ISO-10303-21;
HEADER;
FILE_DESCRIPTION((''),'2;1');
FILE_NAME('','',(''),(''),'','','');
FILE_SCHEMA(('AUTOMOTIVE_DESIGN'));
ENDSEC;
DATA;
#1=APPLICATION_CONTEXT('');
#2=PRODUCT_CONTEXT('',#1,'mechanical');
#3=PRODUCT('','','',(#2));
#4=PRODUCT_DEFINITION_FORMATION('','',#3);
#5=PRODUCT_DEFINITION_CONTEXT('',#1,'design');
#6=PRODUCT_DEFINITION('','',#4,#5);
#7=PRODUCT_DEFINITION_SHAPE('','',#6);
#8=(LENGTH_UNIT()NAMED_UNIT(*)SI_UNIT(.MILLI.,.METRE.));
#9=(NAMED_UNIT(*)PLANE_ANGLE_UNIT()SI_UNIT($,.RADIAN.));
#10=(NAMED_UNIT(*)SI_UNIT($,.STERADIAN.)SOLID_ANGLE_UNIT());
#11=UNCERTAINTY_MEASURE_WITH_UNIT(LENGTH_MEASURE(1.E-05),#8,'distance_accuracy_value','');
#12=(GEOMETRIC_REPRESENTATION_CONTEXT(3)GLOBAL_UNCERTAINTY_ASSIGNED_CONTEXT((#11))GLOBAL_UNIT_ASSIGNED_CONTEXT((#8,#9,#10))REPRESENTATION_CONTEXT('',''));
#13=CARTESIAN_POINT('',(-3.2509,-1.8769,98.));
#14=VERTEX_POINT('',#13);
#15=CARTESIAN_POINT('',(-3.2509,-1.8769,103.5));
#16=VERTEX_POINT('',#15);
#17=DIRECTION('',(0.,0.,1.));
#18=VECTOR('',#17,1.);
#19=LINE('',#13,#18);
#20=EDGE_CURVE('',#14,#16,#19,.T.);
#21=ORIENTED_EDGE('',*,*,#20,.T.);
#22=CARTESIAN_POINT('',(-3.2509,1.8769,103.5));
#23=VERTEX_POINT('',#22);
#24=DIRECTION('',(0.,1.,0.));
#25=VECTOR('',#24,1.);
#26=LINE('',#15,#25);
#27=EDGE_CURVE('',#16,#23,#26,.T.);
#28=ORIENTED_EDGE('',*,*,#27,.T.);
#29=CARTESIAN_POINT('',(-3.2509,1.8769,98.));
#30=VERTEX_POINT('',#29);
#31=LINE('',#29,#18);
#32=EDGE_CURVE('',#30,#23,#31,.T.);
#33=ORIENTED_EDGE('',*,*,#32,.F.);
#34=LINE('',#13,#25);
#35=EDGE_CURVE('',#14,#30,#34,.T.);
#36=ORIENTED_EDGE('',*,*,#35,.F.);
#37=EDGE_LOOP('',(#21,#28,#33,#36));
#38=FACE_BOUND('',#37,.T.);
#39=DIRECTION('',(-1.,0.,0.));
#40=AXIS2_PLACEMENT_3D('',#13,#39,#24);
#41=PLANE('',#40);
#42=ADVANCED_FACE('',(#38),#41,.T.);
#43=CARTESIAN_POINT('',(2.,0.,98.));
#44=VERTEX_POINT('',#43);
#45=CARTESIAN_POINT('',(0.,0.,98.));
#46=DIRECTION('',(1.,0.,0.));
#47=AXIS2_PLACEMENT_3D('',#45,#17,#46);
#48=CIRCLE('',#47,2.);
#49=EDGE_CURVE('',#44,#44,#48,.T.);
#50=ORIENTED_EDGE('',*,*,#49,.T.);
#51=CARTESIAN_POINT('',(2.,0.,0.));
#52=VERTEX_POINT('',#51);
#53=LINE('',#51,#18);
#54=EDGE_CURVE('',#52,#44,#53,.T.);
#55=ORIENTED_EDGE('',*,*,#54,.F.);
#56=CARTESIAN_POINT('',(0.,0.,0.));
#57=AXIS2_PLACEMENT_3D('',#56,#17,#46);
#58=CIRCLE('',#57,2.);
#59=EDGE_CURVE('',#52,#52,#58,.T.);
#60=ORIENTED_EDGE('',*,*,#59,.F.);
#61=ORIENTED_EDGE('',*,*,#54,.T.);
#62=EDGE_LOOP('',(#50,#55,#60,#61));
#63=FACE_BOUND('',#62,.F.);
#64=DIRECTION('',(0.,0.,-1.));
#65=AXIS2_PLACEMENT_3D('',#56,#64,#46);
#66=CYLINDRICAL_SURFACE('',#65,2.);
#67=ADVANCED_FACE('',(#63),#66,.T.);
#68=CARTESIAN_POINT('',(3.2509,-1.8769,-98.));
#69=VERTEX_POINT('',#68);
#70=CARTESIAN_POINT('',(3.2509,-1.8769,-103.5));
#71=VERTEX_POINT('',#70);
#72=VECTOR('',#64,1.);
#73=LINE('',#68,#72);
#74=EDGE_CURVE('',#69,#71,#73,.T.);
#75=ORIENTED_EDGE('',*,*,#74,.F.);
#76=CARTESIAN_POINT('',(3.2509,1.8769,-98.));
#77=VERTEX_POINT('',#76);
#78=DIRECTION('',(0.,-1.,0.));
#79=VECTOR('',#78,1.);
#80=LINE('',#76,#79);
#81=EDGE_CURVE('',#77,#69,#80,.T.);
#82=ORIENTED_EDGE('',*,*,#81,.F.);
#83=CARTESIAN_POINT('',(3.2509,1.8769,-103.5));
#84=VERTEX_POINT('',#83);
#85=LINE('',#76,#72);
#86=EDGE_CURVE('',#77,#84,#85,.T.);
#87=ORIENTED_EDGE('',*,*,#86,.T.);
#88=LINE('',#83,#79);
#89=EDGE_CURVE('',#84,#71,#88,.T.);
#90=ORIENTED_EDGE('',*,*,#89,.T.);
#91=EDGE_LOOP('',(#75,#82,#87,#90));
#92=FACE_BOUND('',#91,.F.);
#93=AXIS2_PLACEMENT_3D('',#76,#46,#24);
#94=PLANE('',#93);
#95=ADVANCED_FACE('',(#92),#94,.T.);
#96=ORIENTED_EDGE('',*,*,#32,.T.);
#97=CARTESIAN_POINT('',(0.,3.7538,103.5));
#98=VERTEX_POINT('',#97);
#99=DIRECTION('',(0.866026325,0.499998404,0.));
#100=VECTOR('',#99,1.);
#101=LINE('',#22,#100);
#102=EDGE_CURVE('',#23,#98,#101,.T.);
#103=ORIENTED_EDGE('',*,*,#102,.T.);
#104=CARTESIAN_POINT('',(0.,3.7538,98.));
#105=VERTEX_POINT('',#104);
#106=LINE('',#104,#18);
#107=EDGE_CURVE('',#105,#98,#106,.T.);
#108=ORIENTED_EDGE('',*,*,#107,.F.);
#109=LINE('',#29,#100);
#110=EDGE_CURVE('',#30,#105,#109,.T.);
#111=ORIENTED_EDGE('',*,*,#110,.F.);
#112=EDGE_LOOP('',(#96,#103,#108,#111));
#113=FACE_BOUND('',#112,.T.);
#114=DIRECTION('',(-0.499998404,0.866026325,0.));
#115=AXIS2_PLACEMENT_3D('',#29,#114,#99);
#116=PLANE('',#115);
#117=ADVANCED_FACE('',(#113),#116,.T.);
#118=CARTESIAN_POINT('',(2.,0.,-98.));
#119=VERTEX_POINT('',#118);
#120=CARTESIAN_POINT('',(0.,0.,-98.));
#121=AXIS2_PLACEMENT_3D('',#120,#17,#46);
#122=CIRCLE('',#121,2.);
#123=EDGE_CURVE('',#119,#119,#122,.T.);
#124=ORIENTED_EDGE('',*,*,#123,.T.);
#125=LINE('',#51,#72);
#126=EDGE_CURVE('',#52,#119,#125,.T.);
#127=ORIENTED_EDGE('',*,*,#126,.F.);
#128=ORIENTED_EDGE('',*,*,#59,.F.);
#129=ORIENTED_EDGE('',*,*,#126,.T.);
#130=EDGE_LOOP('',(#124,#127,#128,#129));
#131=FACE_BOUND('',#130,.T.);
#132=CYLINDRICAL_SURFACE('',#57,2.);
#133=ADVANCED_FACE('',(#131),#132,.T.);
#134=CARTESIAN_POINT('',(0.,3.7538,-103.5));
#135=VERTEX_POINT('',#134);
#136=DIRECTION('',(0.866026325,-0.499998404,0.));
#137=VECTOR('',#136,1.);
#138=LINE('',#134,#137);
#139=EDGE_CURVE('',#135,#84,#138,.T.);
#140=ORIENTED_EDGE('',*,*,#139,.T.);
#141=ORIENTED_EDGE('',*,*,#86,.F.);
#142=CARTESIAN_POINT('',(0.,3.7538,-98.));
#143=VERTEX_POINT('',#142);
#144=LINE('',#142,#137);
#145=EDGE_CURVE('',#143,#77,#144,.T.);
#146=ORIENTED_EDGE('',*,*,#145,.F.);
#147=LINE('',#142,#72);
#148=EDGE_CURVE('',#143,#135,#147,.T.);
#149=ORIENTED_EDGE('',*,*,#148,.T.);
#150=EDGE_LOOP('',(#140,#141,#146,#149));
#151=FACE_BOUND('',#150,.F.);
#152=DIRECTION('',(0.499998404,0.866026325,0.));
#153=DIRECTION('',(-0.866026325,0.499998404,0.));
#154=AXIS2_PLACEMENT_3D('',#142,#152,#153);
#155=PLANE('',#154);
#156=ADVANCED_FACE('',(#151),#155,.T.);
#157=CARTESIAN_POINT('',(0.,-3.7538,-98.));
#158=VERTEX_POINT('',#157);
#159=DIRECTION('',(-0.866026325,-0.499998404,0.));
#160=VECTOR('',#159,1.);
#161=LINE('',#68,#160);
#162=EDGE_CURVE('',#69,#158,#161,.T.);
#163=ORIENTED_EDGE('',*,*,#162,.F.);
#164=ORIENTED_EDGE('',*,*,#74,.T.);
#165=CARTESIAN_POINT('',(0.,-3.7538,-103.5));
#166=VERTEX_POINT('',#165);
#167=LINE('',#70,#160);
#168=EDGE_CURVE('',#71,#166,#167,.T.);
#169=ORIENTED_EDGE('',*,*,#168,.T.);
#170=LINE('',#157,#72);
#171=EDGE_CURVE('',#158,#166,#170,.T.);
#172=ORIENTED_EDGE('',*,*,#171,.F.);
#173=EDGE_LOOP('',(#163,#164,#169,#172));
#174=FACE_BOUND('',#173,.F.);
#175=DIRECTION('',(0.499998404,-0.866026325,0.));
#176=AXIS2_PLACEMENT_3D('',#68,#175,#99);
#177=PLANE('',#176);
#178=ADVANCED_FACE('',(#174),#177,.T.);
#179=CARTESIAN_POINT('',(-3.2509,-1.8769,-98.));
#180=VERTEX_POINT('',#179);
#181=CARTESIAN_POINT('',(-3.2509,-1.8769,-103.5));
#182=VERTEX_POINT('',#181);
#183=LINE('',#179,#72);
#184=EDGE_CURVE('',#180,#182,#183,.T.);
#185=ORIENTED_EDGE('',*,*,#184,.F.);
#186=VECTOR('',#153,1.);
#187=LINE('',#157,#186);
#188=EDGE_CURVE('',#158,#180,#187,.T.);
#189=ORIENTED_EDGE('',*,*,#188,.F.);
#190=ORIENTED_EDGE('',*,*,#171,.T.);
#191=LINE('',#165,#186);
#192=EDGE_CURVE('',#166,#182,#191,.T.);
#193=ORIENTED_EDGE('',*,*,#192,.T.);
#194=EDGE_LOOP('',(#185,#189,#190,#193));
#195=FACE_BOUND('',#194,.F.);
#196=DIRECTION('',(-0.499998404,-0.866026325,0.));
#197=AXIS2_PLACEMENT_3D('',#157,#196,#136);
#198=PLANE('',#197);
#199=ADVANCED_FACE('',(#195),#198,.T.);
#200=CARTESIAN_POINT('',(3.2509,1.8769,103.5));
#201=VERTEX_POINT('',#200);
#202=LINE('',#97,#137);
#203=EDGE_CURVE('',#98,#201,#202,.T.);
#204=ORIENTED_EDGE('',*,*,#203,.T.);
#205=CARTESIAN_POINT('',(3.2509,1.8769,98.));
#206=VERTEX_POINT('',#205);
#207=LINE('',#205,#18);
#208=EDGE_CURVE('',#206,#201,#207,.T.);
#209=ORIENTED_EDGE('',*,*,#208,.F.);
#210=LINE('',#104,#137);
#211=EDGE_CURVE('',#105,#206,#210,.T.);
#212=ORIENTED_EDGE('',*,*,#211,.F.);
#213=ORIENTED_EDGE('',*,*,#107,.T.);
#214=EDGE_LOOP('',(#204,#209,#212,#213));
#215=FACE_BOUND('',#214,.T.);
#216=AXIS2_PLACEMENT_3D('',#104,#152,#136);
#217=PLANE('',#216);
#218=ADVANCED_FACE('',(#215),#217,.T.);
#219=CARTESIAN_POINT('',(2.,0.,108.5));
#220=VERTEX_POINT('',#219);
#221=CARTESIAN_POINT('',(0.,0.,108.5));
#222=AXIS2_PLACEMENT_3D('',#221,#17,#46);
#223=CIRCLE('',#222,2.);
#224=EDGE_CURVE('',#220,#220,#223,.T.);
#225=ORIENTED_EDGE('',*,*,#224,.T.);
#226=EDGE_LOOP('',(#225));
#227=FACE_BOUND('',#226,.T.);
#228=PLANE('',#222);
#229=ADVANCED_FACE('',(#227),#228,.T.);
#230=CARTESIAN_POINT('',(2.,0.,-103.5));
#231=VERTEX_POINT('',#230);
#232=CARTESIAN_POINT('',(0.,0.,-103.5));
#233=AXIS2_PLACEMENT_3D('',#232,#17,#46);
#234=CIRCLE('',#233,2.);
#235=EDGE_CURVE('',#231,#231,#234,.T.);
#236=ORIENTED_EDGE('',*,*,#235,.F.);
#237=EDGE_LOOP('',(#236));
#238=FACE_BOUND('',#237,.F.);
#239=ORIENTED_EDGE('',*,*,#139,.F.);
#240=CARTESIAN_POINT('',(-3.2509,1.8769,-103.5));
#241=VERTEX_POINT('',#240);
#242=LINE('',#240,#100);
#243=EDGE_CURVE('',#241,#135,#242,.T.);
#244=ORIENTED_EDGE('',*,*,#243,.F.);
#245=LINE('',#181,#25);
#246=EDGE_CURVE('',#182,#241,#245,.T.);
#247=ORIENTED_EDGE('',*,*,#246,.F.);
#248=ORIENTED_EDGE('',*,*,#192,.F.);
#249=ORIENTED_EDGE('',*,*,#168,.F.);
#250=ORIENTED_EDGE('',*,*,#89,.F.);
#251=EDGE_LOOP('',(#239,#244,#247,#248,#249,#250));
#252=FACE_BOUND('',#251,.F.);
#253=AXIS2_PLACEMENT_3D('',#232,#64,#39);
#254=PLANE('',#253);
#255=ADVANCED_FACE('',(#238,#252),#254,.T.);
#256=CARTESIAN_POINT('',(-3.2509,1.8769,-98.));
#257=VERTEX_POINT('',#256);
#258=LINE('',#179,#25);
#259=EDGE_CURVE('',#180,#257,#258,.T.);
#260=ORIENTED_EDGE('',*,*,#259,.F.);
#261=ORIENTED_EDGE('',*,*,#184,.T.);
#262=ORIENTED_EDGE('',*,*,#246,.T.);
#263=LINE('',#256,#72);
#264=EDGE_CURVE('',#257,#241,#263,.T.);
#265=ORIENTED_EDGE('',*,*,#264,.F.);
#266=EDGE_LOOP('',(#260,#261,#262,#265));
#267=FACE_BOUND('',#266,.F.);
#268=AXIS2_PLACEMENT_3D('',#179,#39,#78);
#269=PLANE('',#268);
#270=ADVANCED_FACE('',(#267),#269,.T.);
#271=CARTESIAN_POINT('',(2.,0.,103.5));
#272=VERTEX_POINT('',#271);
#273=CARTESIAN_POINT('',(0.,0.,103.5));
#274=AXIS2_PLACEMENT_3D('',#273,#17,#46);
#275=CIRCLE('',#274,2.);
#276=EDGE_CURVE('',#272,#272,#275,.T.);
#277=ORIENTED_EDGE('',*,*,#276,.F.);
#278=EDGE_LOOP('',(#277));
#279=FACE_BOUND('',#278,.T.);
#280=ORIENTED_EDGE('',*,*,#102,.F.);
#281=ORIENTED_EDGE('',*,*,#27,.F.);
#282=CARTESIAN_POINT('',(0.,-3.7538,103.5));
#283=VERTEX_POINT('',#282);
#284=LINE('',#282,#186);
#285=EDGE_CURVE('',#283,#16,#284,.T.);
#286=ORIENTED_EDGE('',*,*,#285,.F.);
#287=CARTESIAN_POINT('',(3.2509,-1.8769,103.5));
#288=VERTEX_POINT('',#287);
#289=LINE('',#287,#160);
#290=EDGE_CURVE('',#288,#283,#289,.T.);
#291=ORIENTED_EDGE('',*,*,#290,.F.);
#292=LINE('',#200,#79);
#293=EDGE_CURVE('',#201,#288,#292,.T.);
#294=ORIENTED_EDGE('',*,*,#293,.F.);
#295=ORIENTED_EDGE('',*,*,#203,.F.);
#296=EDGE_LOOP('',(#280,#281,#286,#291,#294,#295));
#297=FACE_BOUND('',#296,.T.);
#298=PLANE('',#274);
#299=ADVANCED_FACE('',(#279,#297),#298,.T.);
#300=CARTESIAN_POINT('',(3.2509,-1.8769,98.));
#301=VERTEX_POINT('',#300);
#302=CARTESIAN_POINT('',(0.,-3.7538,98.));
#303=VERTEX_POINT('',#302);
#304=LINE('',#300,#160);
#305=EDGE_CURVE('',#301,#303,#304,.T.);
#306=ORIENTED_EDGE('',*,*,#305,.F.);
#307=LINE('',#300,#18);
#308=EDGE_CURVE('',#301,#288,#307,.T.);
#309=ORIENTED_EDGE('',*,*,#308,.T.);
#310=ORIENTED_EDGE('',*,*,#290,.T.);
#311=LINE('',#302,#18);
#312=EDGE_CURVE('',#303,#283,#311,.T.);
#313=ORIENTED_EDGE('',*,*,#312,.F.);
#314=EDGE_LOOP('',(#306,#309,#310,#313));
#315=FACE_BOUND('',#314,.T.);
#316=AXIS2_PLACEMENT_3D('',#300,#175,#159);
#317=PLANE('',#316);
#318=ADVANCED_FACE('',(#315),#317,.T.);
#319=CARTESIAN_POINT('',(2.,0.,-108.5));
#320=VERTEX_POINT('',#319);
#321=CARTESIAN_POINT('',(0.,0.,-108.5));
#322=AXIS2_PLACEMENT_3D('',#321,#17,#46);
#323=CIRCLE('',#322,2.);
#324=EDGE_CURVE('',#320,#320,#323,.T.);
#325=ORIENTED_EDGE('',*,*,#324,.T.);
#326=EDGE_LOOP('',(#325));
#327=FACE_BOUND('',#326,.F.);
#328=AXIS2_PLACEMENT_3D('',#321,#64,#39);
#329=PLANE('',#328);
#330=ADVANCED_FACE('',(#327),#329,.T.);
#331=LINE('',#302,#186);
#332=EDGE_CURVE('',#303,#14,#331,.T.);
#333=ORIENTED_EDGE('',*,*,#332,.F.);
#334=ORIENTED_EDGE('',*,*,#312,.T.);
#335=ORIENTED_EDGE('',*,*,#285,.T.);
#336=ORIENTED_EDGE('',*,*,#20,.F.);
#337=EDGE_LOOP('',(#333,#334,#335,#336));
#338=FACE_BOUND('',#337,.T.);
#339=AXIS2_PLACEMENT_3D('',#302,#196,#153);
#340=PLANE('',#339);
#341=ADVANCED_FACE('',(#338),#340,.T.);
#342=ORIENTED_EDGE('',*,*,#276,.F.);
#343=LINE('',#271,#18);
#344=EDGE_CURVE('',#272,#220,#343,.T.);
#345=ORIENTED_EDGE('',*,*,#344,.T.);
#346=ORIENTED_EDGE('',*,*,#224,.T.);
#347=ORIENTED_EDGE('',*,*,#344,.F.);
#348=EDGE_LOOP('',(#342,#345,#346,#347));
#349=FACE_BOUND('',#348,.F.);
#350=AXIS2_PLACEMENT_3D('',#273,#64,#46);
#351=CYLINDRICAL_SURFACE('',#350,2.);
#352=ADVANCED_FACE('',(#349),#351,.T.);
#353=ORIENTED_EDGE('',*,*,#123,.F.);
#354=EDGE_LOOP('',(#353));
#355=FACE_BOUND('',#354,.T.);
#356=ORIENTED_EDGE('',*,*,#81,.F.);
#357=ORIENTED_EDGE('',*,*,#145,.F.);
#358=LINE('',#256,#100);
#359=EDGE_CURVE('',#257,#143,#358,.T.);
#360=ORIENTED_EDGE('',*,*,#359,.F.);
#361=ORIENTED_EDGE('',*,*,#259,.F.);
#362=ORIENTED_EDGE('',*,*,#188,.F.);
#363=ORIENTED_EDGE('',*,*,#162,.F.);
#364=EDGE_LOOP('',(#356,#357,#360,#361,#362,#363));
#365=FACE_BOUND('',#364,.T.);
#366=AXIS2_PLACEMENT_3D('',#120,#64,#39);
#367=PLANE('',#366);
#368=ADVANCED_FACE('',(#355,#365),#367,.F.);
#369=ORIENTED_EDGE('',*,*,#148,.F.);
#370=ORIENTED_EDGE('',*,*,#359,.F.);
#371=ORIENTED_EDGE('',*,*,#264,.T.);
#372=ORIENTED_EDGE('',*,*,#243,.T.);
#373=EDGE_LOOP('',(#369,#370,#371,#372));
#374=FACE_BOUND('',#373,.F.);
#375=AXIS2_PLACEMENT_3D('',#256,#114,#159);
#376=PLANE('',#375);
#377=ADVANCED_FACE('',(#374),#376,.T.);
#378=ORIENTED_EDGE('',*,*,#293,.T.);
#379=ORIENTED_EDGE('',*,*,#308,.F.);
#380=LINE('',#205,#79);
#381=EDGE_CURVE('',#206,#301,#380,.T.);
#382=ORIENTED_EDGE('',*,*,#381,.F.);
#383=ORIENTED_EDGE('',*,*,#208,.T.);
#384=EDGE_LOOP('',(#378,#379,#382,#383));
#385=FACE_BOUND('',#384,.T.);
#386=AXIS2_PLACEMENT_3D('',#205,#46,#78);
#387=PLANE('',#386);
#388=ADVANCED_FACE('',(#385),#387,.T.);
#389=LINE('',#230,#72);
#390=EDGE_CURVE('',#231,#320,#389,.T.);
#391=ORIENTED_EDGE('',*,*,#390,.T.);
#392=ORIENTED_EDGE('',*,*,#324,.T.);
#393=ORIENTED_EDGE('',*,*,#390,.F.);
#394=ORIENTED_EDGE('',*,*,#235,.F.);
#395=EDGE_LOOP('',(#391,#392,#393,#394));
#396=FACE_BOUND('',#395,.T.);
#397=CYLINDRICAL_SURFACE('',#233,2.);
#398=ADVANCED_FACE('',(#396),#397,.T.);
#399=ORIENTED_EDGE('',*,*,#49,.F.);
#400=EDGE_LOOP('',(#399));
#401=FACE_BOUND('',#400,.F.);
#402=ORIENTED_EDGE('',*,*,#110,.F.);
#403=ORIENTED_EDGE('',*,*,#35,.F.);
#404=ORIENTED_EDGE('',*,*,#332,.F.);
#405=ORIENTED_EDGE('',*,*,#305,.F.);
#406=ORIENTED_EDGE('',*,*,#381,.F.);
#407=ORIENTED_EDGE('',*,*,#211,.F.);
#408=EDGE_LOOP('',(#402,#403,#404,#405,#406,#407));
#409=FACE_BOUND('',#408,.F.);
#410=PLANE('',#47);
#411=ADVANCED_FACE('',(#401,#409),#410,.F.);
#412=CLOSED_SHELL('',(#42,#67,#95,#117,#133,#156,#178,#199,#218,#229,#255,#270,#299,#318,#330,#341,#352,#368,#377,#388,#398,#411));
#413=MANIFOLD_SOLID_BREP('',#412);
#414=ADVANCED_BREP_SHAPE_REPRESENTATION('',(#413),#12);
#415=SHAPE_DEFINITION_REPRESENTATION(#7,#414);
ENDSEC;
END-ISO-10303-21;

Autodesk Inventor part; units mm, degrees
ref_plane "YZ Plane" through (0, 0, 0) normal (1, 0, 0) x (0, 1, 0)
ref_plane "XZ Plane" through (0, 0, 0) normal (0, 1, 0) x (-1, 0, 0)
ref_plane "XY Plane" through (0, 0, 0) normal (0, 0, 1) x (1, 0, 0)
sketch "Эскиз1" plane through (0, 0, 0) normal (0, 0, 1) x (1, 0, 0)
  circle A0 centre (0, 0) radius 2
  dimension "d0" = 4
extrude "Выдавливание1" add sketch "Эскиз1" along normal blind 98
sketch "Эскиз2" plane through (0, 0, 98) normal (0, 0, 1) x (1, 0, 0)
  line L0 (0, 3.7538) -> (3.2509, 1.8769)
  line L1 (3.2509, 1.8769) -> (3.2509, -1.8769)
  line L2 (3.2509, -1.8769) -> (0, -3.7538)
  line L3 (0, -3.7538) -> (-3.2509, -1.8769)
  line L4 (-3.2509, -1.8769) -> (-3.2509, 1.8769)
  line L5 (-3.2509, 1.8769) -> (0, 3.7538)
  point P0 (0, 0)
  point P1 (0, 0)
extrude "Выдавливание2" add sketch "Эскиз2" along normal blind 5.5
sketch "Эскиз3" plane through (0, 0, 103.5) normal (0, 0, 1) x (1, 0, 0)
  circle A0 centre (0, 0) radius 2 projected
  circle A1 centre (0, 0) radius 2
extrude "Выдавливание3" add sketch "Эскиз3" along normal blind 5
thread "Резьба1" size "M4x0.7" class "6g" standard "ANSI Metric M Profile" full length
mirror "Зеркальное отражение1" about plane through (0, 0, 0) normal (0, 0, -1)
properties part number "ось пушки 3" material "Сталь, литейная"
